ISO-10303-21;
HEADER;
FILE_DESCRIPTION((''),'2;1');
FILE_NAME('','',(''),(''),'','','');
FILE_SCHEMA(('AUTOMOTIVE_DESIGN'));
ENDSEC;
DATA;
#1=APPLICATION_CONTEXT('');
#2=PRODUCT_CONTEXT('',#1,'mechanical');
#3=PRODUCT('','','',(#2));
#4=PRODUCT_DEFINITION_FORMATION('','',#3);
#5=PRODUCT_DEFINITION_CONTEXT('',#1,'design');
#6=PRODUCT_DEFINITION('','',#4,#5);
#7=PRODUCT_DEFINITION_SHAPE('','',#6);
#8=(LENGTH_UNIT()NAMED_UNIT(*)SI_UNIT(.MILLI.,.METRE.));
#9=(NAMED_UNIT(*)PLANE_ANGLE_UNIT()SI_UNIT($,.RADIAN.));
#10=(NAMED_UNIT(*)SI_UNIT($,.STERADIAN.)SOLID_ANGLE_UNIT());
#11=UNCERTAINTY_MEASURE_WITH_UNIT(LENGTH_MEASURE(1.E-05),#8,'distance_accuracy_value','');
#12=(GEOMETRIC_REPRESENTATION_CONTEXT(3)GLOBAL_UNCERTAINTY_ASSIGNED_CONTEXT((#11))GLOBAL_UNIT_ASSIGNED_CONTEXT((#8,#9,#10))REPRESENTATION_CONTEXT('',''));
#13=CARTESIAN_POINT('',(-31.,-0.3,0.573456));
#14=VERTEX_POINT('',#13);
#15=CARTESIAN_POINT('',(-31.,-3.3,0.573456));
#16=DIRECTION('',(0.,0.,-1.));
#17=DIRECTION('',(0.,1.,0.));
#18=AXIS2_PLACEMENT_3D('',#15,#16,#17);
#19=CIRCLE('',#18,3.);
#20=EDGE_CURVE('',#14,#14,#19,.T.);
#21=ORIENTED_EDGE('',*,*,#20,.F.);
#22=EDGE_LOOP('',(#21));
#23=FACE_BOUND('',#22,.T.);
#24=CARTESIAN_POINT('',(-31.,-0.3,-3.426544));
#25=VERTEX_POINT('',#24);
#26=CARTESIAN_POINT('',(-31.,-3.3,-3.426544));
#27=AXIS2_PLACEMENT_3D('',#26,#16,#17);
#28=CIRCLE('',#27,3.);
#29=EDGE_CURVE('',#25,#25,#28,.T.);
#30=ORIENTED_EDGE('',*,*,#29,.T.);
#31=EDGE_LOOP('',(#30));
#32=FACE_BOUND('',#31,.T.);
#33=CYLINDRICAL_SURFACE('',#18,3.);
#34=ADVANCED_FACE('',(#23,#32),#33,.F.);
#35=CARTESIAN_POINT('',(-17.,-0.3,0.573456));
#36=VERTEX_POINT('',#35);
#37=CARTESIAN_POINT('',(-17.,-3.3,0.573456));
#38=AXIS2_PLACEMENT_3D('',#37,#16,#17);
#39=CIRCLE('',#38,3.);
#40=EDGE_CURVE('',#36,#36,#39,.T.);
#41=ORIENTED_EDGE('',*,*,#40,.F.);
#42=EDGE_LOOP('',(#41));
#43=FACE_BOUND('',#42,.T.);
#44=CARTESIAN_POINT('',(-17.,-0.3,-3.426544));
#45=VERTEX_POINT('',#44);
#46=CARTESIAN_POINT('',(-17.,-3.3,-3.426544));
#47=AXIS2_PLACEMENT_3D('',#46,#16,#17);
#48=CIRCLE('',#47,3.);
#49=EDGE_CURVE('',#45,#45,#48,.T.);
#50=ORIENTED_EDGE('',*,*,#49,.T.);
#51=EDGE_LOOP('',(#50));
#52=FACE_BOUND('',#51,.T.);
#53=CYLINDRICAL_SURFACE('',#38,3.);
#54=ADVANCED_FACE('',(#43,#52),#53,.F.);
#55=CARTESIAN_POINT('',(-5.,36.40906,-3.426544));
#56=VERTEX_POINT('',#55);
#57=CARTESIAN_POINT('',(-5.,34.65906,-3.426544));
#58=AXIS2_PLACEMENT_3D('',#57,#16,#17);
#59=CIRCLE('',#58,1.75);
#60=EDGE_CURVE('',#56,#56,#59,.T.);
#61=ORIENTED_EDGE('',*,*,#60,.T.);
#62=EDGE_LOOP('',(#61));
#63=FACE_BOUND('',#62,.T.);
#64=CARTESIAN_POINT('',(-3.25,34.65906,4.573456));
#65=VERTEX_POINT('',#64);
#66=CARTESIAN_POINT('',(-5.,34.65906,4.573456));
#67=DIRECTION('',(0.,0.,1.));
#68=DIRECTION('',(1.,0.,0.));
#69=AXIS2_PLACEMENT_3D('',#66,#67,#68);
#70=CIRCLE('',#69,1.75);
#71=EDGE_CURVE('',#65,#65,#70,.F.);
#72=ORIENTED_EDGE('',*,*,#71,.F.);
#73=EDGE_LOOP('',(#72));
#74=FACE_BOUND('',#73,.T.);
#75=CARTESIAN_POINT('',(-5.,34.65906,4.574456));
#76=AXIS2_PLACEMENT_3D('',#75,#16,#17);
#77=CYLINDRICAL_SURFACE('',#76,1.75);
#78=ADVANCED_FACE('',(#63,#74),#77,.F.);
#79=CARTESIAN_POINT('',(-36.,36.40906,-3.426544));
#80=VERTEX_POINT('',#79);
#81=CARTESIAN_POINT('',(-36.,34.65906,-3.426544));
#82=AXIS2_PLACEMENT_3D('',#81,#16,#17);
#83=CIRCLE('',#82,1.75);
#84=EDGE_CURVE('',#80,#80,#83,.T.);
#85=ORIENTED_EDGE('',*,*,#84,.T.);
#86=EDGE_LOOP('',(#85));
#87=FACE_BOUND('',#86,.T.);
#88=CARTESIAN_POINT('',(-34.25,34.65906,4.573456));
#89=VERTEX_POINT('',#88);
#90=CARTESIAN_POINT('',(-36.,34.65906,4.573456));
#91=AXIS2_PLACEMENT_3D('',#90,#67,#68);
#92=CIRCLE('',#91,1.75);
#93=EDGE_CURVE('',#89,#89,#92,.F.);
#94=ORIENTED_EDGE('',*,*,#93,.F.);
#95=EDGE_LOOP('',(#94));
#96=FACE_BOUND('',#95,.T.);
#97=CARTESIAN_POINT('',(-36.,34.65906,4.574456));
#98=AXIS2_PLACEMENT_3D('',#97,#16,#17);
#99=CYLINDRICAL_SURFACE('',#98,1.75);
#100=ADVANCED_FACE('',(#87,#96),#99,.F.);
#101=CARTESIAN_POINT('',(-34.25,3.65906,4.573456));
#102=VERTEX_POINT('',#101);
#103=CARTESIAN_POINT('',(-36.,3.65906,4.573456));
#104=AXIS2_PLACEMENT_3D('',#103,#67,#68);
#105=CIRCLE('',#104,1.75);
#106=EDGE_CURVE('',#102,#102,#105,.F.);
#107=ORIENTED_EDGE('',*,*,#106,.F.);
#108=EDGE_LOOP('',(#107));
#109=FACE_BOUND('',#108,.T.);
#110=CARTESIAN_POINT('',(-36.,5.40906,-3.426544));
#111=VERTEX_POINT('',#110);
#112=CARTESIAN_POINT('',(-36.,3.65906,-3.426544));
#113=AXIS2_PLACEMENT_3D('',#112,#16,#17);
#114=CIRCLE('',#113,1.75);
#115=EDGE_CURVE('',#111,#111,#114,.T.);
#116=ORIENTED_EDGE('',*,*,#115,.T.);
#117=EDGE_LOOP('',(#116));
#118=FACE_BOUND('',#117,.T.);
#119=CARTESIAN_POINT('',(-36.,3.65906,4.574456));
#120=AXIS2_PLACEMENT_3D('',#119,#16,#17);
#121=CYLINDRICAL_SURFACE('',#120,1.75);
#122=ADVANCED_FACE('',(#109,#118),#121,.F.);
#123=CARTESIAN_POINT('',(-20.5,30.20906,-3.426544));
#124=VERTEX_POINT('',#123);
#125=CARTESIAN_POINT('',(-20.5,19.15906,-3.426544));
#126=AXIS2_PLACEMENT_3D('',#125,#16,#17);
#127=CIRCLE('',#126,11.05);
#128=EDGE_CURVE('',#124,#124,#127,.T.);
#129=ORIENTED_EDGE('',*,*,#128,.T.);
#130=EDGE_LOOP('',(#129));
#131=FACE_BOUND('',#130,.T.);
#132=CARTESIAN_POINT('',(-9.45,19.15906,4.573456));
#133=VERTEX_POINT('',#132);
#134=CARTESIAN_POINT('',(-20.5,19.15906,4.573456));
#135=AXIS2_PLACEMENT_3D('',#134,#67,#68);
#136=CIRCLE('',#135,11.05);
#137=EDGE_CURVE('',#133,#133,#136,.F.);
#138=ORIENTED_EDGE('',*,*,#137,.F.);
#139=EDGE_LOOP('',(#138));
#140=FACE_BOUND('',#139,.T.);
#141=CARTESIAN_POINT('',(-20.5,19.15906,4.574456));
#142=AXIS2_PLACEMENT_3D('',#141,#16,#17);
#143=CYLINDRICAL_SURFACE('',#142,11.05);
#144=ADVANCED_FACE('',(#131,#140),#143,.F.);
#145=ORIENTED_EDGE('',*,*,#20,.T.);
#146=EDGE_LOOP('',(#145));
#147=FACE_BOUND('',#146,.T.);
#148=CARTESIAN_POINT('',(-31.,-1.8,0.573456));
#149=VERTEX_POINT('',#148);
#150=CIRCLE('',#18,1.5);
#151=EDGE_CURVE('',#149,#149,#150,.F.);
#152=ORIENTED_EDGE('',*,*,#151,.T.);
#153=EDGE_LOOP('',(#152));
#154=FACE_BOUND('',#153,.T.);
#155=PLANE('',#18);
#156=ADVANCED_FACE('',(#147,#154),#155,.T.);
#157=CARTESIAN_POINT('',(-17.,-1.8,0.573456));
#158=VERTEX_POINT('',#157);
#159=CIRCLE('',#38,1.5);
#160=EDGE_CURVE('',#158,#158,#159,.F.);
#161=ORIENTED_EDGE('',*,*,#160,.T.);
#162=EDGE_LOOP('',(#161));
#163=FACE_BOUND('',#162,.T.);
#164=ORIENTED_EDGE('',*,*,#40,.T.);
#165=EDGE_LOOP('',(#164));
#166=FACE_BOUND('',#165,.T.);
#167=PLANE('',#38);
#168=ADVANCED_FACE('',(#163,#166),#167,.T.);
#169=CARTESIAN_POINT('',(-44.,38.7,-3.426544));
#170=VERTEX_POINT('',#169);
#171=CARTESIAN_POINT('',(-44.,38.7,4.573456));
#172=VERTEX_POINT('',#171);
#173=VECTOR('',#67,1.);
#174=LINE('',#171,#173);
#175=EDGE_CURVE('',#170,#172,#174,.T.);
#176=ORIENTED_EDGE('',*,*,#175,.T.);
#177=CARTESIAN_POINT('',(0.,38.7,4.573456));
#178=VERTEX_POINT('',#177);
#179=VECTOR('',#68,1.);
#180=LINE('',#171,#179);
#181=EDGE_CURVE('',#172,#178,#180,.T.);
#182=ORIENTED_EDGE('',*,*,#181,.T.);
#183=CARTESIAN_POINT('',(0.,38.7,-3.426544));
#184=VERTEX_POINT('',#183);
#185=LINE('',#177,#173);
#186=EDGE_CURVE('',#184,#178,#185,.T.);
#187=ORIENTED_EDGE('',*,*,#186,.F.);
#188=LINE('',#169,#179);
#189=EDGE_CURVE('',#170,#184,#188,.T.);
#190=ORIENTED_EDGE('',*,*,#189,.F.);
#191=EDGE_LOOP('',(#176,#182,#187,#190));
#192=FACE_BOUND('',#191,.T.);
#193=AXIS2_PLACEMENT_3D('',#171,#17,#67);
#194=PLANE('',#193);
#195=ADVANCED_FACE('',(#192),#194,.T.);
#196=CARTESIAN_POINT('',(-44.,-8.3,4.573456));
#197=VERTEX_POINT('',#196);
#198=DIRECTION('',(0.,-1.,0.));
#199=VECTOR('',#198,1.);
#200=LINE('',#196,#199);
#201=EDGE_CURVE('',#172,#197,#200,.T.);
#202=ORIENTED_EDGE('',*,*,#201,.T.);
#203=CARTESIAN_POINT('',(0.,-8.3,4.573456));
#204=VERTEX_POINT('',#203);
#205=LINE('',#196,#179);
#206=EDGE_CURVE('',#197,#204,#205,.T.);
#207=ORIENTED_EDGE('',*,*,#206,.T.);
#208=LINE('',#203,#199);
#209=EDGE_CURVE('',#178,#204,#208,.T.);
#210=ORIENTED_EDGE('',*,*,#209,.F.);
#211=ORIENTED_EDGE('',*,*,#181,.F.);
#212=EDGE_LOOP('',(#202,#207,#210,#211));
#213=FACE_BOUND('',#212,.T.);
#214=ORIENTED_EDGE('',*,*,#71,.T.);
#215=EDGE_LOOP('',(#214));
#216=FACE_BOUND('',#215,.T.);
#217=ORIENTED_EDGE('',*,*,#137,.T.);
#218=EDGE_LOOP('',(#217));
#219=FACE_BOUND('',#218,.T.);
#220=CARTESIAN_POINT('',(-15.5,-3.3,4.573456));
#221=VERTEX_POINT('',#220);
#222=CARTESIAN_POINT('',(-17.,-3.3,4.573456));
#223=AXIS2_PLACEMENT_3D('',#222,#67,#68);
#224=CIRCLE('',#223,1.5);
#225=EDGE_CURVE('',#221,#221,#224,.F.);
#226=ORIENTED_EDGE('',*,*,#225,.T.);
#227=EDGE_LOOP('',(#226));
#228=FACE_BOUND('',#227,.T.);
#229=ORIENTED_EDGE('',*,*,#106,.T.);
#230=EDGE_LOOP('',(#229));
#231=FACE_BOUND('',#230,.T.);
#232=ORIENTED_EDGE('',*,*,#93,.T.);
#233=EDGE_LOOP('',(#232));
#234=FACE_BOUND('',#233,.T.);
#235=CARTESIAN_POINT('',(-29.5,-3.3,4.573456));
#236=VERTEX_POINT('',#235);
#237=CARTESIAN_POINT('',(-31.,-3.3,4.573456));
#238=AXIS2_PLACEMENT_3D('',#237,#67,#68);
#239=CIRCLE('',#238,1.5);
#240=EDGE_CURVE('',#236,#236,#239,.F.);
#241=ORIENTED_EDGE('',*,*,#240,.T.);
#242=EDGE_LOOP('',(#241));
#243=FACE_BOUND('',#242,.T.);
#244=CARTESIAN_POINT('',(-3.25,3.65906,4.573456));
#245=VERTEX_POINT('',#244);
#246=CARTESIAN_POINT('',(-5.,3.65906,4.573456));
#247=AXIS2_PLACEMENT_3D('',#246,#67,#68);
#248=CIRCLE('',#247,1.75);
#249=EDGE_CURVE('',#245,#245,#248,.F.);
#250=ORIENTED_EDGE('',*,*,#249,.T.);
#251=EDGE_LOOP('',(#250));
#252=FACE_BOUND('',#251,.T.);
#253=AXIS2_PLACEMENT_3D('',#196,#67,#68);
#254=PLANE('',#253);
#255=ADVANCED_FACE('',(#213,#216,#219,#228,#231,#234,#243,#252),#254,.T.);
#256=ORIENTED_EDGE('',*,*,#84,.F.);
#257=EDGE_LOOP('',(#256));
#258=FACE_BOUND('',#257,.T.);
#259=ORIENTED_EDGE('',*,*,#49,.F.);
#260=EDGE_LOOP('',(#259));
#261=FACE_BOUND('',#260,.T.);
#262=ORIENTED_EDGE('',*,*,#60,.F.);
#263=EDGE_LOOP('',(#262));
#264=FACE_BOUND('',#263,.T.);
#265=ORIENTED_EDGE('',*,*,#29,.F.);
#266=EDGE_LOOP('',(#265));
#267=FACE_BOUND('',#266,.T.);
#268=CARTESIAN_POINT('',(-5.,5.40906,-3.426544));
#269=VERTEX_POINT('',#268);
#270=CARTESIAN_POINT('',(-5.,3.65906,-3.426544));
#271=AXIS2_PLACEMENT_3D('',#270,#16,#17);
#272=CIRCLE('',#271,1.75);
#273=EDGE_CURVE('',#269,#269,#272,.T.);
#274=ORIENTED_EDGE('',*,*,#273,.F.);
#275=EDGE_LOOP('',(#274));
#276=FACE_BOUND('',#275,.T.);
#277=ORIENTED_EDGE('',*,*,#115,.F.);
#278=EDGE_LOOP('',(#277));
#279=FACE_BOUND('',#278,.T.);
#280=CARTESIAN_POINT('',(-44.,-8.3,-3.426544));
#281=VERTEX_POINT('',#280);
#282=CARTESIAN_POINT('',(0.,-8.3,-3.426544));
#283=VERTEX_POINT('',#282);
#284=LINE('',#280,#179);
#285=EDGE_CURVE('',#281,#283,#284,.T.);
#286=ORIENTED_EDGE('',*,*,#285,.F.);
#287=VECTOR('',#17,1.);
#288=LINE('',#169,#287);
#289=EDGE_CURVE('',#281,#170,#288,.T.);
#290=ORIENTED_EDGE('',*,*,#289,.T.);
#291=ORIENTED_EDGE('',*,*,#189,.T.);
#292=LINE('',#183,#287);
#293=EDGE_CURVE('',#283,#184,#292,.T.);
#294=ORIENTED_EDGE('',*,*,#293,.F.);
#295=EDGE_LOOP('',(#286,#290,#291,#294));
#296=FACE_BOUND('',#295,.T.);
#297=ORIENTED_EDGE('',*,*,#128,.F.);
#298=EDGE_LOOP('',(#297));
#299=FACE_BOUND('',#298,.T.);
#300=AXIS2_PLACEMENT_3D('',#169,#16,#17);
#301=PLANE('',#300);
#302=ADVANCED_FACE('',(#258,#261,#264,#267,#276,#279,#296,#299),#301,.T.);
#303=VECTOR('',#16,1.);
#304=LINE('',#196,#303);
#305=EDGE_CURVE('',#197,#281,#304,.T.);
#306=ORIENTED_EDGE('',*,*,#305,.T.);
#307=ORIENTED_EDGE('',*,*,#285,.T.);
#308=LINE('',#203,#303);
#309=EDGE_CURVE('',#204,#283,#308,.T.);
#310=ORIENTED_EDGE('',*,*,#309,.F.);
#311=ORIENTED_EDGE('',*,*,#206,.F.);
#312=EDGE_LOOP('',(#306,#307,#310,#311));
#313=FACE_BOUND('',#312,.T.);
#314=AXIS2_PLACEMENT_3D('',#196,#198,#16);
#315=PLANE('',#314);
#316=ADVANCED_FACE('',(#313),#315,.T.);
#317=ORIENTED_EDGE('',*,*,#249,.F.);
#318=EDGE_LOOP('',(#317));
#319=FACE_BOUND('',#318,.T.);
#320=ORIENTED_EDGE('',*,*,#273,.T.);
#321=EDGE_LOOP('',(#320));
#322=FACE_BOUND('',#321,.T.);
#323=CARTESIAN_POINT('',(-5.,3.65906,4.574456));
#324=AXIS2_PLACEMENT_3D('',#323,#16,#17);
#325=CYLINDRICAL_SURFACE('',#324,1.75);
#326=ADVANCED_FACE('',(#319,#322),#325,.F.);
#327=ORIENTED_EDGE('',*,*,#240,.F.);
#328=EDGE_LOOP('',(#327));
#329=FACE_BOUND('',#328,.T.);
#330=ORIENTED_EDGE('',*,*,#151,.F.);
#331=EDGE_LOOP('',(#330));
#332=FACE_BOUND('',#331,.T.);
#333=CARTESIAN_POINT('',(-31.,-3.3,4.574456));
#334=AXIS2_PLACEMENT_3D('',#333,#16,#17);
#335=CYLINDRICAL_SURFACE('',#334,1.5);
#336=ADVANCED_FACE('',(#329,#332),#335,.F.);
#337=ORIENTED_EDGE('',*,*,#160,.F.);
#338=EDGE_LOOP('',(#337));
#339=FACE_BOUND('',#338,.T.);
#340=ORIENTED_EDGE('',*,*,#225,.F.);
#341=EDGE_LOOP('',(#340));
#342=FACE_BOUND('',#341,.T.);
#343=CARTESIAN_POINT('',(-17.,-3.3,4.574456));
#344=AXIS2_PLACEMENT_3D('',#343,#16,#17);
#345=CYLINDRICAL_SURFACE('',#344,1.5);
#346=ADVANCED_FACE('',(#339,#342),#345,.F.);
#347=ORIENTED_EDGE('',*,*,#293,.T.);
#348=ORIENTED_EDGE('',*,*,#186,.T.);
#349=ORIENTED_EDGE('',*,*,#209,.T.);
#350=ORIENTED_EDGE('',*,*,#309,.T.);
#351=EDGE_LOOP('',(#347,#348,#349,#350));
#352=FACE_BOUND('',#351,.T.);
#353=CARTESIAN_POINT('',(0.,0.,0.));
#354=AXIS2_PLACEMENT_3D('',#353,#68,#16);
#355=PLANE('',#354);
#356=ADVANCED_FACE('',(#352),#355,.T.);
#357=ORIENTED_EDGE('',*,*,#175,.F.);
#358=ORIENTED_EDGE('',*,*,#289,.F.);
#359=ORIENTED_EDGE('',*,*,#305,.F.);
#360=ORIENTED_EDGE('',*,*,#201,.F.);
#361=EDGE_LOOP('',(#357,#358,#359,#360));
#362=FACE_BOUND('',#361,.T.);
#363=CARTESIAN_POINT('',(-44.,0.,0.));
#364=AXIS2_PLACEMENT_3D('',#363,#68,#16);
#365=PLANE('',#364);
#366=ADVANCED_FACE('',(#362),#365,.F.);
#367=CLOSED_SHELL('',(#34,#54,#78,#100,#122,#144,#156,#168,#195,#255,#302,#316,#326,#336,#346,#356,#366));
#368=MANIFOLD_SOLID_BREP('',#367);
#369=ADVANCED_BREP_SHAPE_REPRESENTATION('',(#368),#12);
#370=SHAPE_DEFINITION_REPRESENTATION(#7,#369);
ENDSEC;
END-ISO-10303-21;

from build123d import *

# Parameters (mm, degrees)
SKETCH_1_W          = 8
SKETCH_1_H          = 47
EXTRUDE_1_DEPTH     = 44
CUT_EXTRUDE_1_REACH = 61.141
SKETCH_2_R          = 11.05
SKETCH_2_R_2        = 1.75
SKETCH_2_R_3        = 1.5
SKETCH_6_R          = 3
CUT_EXTRUDE_3_DEPTH = 4


with BuildPart() as part:
    # 草图1 → 凸台-拉伸1 (new body)
    with BuildSketch(Plane(origin=(0, 0, 0), x_dir=(0, 0, -1), z_dir=(1, 0, 0))):
        with Locations((-0.573456279, 15.2)):
            Rectangle(SKETCH_1_W, SKETCH_1_H)
    extrude(amount=-EXTRUDE_1_DEPTH)

    # 草图2 → 切除-拉伸1 (cut, up to next)
    with BuildSketch(Plane(origin=(0, 0, -3.426543721), x_dir=(-1, 0, 0), z_dir=(0, 0, -1)), mode=Mode.PRIVATE) as cut_extrude_1_sk1:
        with Locations(Location((20.5, 19.159060435, 0), (0, 0, 90))):
            Circle(SKETCH_2_R)
    cut_extrude_1_tool1 = extrude(cut_extrude_1_sk1.sketch, amount=-CUT_EXTRUDE_1_REACH, mode=Mode.PRIVATE) & part.part
    # 草图2 → 切除-拉伸1 (cut, up to next)
    with BuildSketch(Plane(origin=(0, 0, -3.426543721), x_dir=(-1, 0, 0), z_dir=(0, 0, -1)), mode=Mode.PRIVATE) as cut_extrude_1_sk2:
        with Locations(Location((5, 34.659060435, 0), (0, 0, 90))):
            Circle(SKETCH_2_R_2)
    cut_extrude_1_tool2 = extrude(cut_extrude_1_sk2.sketch, amount=-CUT_EXTRUDE_1_REACH, mode=Mode.PRIVATE) & part.part
    # 草图2 → 切除-拉伸1 (cut, up to next)
    with BuildSketch(Plane(origin=(0, 0, -3.426543721), x_dir=(-1, 0, 0), z_dir=(0, 0, -1)), mode=Mode.PRIVATE) as cut_extrude_1_sk3:
        with Locations(Location((5, 3.659060435, 0), (0, 0, 90))):
            Circle(SKETCH_2_R_2)
    cut_extrude_1_tool3 = extrude(cut_extrude_1_sk3.sketch, amount=-CUT_EXTRUDE_1_REACH, mode=Mode.PRIVATE) & part.part
    # 草图2 → 切除-拉伸1 (cut, up to next)
    with BuildSketch(Plane(origin=(0, 0, -3.426543721), x_dir=(-1, 0, 0), z_dir=(0, 0, -1)), mode=Mode.PRIVATE) as cut_extrude_1_sk4:
        with Locations(Location((36, 3.659060435, 0), (0, 0, 90))):
            Circle(SKETCH_2_R_2)
    cut_extrude_1_tool4 = extrude(cut_extrude_1_sk4.sketch, amount=-CUT_EXTRUDE_1_REACH, mode=Mode.PRIVATE) & part.part
    # 草图2 → 切除-拉伸1 (cut, up to next)
    with BuildSketch(Plane(origin=(0, 0, -3.426543721), x_dir=(-1, 0, 0), z_dir=(0, 0, -1)), mode=Mode.PRIVATE) as cut_extrude_1_sk5:
        with Locations(Location((36, 34.659060435, 0), (0, 0, 90))):
            Circle(SKETCH_2_R_2)
    cut_extrude_1_tool5 = extrude(cut_extrude_1_sk5.sketch, amount=-CUT_EXTRUDE_1_REACH, mode=Mode.PRIVATE) & part.part
    # 草图2 → 切除-拉伸1 (cut, up to next)
    with BuildSketch(Plane(origin=(0, 0, -3.426543721), x_dir=(-1, 0, 0), z_dir=(0, 0, -1)), mode=Mode.PRIVATE) as cut_extrude_1_sk6:
        with Locations(Location((17, -3.3, 0), (0, 0, 90))):
            Circle(SKETCH_2_R_3)
    cut_extrude_1_tool6 = extrude(cut_extrude_1_sk6.sketch, amount=-CUT_EXTRUDE_1_REACH, mode=Mode.PRIVATE) & part.part
    # 草图2 → 切除-拉伸1 (cut, up to next)
    with BuildSketch(Plane(origin=(0, 0, -3.426543721), x_dir=(-1, 0, 0), z_dir=(0, 0, -1)), mode=Mode.PRIVATE) as cut_extrude_1_sk7:
        with Locations(Location((31, -3.3, 0), (0, 0, 90))):
            Circle(SKETCH_2_R_3)
    cut_extrude_1_tool7 = extrude(cut_extrude_1_sk7.sketch, amount=-CUT_EXTRUDE_1_REACH, mode=Mode.PRIVATE) & part.part
    add(cut_extrude_1_tool1.solids().sort_by_distance((-20.5, 19.15906, -3.426544))[0], mode=Mode.SUBTRACT)
    add(cut_extrude_1_tool2.solids().sort_by_distance((-5, 34.65906, -3.426544))[0], mode=Mode.SUBTRACT)
    add(cut_extrude_1_tool3.solids().sort_by_distance((-5, 3.65906, -3.426544))[0], mode=Mode.SUBTRACT)
    add(cut_extrude_1_tool4.solids().sort_by_distance((-36, 3.65906, -3.426544))[0], mode=Mode.SUBTRACT)
    add(cut_extrude_1_tool5.solids().sort_by_distance((-36, 34.65906, -3.426544))[0], mode=Mode.SUBTRACT)
    add(cut_extrude_1_tool6.solids().sort_by_distance((-17, -3.3, -3.426544))[0], mode=Mode.SUBTRACT)
    add(cut_extrude_1_tool7.solids().sort_by_distance((-31, -3.3, -3.426544))[0], mode=Mode.SUBTRACT)

    # 草图6 → 切除-拉伸3 (cut)
    with BuildSketch(Plane(origin=(0, 0, -3.426543721), x_dir=(-1, 0, 0), z_dir=(0, 0, -1))):
        with Locations(Location((17, -3.3, 0), (0, 0, 90))):
            Circle(SKETCH_6_R)
        with Locations(Location((31, -3.3, 0), (0, 0, 90))):
            Circle(SKETCH_6_R)
    extrude(amount=-CUT_EXTRUDE_3_DEPTH, mode=Mode.SUBTRACT)


solid = part.part
